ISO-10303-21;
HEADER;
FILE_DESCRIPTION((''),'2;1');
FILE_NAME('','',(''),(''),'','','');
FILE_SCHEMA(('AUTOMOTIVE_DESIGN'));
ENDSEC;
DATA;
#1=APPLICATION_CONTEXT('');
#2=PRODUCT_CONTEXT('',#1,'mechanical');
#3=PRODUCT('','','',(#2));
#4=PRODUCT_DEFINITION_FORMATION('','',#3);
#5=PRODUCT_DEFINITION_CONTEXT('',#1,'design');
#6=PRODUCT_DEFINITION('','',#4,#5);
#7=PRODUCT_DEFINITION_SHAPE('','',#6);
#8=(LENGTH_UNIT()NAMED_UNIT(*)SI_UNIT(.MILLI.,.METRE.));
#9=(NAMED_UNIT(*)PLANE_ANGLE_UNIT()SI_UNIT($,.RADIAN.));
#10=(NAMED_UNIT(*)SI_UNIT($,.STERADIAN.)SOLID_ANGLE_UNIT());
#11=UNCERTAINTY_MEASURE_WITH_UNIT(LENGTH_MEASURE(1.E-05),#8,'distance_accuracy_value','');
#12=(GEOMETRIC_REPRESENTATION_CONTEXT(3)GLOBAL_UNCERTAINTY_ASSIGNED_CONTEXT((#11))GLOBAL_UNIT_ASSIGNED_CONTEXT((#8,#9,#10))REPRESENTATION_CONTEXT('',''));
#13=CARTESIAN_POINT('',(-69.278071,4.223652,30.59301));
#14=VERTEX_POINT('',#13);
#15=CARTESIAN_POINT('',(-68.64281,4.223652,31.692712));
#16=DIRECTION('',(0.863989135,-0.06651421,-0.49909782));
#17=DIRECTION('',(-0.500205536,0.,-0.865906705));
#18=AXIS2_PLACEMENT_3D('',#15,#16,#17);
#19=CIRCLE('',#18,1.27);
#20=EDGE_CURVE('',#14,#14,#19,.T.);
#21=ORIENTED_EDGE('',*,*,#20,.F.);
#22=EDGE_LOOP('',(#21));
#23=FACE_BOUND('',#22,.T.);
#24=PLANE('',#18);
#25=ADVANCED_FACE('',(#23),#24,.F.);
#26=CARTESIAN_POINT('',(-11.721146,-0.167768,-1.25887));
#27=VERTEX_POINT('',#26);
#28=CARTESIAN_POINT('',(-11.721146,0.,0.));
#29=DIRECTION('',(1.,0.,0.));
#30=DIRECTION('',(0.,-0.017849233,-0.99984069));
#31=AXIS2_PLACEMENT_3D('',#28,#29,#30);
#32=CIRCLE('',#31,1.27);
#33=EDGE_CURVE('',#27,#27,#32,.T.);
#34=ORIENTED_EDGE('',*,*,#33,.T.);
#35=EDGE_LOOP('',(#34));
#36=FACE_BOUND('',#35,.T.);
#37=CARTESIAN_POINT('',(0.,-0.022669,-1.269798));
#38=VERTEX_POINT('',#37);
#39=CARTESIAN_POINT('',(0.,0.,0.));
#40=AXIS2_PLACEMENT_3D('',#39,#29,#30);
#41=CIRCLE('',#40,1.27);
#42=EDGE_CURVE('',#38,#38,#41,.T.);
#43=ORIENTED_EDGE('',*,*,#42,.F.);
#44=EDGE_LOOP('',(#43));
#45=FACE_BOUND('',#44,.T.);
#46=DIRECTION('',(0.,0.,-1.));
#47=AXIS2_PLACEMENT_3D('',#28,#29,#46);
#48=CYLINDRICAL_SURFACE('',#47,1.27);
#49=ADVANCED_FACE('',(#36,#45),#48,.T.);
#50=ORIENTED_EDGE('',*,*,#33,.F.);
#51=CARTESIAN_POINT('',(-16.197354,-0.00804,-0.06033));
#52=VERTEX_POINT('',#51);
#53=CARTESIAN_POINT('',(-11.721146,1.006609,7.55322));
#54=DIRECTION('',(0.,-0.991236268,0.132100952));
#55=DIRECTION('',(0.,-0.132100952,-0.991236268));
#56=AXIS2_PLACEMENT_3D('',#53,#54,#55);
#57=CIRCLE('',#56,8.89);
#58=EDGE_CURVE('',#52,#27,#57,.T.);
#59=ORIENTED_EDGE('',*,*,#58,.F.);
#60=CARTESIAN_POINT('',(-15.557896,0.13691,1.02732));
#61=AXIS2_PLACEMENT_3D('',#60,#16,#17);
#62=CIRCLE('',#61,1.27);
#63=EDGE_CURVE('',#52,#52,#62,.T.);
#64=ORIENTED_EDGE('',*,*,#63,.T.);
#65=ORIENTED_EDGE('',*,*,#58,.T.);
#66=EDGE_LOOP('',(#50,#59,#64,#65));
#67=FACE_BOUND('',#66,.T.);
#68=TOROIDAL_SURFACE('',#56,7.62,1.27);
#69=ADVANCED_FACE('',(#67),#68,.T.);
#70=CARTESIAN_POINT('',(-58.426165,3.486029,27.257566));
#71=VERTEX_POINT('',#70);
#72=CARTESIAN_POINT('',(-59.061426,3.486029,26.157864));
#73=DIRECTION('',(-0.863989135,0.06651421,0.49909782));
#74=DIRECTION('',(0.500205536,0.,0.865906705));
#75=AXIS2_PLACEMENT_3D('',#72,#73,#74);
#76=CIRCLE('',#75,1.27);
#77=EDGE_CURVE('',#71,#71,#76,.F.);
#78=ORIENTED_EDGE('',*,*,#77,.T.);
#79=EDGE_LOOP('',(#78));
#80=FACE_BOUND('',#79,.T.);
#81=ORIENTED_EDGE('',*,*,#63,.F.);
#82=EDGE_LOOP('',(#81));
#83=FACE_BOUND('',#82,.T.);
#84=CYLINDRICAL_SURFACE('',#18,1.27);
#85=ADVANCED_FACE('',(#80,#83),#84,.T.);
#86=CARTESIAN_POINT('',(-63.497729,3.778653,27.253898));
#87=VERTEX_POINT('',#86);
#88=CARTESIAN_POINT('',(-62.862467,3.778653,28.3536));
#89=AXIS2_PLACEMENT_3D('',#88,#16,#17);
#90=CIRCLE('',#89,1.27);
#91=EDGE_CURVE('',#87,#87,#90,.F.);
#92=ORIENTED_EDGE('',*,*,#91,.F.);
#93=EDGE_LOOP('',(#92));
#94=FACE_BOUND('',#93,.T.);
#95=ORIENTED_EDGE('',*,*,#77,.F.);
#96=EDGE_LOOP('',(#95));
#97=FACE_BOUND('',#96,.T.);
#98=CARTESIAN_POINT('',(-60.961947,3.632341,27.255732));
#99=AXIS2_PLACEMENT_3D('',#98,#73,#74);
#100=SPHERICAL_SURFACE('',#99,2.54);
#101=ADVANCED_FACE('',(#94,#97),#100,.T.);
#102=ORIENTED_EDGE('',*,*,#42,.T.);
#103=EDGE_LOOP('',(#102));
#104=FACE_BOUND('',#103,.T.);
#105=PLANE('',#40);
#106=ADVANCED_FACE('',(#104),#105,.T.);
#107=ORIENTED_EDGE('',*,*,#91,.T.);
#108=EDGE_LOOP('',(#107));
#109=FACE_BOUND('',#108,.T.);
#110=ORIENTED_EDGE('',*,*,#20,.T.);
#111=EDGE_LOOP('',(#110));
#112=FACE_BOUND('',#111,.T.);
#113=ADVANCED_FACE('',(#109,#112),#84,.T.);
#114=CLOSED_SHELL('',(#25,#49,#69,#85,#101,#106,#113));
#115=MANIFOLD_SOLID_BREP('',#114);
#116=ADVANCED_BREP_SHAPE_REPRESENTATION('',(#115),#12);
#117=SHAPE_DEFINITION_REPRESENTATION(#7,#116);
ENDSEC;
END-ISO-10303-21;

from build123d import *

# Parameters (mm, degrees)
SKETCH1_R = 1.27


with BuildPart() as part:
    # Sweep1: sweep along a curve in space
    with BuildLine() as sweep1_path:
        Line((-68.642810089, 4.223652332, 31.692711576), (-15.557895559, 0.136909795, 1.027320033))
        ThreePointArc((-15.557895559, 0.136909795, 1.027320033), (-13.708278185, 0.034830032, 0.261351566), (-11.721145923, 0, 0))
        Line((-11.721145923, 0, 0), (0, 0, 0))
    # Sketch1 → Sweep1 (sweep)
    with BuildSketch(Plane(origin=(-68.642810089, 4.223652332, 31.692711576), x_dir=(-0.4976253626044802, 0.038309692214518805, -0.8665456514086194), z_dir=(0.8639891352609107, -0.06651420995766534, -0.4990978200962329))):
        Circle(SKETCH1_R)
    sweep(path=sweep1_path.line)

    # Sketch2 → Revolve1 (revolve)
    with BuildSketch(Plane(origin=(-60.961946677, 3.632341006, 27.255731955), x_dir=(-0.4976253626044802, 0.038309692214518805, -0.8665456514086194), z_dir=(0.8639891352609107, -0.06651420995766534, -0.4990978200962329))):
        with BuildLine():
            Line((0, 2.54), (0, -2.54))
            ThreePointArc((0, -2.54), (2.54, 0), (0, 2.54))
        make_face()
    revolve(axis=Axis((-60.766981653, 6.164847401, 27.255731955), (-0.07675788326851926, -0.997049761725129, 0)))


solid = part.part
